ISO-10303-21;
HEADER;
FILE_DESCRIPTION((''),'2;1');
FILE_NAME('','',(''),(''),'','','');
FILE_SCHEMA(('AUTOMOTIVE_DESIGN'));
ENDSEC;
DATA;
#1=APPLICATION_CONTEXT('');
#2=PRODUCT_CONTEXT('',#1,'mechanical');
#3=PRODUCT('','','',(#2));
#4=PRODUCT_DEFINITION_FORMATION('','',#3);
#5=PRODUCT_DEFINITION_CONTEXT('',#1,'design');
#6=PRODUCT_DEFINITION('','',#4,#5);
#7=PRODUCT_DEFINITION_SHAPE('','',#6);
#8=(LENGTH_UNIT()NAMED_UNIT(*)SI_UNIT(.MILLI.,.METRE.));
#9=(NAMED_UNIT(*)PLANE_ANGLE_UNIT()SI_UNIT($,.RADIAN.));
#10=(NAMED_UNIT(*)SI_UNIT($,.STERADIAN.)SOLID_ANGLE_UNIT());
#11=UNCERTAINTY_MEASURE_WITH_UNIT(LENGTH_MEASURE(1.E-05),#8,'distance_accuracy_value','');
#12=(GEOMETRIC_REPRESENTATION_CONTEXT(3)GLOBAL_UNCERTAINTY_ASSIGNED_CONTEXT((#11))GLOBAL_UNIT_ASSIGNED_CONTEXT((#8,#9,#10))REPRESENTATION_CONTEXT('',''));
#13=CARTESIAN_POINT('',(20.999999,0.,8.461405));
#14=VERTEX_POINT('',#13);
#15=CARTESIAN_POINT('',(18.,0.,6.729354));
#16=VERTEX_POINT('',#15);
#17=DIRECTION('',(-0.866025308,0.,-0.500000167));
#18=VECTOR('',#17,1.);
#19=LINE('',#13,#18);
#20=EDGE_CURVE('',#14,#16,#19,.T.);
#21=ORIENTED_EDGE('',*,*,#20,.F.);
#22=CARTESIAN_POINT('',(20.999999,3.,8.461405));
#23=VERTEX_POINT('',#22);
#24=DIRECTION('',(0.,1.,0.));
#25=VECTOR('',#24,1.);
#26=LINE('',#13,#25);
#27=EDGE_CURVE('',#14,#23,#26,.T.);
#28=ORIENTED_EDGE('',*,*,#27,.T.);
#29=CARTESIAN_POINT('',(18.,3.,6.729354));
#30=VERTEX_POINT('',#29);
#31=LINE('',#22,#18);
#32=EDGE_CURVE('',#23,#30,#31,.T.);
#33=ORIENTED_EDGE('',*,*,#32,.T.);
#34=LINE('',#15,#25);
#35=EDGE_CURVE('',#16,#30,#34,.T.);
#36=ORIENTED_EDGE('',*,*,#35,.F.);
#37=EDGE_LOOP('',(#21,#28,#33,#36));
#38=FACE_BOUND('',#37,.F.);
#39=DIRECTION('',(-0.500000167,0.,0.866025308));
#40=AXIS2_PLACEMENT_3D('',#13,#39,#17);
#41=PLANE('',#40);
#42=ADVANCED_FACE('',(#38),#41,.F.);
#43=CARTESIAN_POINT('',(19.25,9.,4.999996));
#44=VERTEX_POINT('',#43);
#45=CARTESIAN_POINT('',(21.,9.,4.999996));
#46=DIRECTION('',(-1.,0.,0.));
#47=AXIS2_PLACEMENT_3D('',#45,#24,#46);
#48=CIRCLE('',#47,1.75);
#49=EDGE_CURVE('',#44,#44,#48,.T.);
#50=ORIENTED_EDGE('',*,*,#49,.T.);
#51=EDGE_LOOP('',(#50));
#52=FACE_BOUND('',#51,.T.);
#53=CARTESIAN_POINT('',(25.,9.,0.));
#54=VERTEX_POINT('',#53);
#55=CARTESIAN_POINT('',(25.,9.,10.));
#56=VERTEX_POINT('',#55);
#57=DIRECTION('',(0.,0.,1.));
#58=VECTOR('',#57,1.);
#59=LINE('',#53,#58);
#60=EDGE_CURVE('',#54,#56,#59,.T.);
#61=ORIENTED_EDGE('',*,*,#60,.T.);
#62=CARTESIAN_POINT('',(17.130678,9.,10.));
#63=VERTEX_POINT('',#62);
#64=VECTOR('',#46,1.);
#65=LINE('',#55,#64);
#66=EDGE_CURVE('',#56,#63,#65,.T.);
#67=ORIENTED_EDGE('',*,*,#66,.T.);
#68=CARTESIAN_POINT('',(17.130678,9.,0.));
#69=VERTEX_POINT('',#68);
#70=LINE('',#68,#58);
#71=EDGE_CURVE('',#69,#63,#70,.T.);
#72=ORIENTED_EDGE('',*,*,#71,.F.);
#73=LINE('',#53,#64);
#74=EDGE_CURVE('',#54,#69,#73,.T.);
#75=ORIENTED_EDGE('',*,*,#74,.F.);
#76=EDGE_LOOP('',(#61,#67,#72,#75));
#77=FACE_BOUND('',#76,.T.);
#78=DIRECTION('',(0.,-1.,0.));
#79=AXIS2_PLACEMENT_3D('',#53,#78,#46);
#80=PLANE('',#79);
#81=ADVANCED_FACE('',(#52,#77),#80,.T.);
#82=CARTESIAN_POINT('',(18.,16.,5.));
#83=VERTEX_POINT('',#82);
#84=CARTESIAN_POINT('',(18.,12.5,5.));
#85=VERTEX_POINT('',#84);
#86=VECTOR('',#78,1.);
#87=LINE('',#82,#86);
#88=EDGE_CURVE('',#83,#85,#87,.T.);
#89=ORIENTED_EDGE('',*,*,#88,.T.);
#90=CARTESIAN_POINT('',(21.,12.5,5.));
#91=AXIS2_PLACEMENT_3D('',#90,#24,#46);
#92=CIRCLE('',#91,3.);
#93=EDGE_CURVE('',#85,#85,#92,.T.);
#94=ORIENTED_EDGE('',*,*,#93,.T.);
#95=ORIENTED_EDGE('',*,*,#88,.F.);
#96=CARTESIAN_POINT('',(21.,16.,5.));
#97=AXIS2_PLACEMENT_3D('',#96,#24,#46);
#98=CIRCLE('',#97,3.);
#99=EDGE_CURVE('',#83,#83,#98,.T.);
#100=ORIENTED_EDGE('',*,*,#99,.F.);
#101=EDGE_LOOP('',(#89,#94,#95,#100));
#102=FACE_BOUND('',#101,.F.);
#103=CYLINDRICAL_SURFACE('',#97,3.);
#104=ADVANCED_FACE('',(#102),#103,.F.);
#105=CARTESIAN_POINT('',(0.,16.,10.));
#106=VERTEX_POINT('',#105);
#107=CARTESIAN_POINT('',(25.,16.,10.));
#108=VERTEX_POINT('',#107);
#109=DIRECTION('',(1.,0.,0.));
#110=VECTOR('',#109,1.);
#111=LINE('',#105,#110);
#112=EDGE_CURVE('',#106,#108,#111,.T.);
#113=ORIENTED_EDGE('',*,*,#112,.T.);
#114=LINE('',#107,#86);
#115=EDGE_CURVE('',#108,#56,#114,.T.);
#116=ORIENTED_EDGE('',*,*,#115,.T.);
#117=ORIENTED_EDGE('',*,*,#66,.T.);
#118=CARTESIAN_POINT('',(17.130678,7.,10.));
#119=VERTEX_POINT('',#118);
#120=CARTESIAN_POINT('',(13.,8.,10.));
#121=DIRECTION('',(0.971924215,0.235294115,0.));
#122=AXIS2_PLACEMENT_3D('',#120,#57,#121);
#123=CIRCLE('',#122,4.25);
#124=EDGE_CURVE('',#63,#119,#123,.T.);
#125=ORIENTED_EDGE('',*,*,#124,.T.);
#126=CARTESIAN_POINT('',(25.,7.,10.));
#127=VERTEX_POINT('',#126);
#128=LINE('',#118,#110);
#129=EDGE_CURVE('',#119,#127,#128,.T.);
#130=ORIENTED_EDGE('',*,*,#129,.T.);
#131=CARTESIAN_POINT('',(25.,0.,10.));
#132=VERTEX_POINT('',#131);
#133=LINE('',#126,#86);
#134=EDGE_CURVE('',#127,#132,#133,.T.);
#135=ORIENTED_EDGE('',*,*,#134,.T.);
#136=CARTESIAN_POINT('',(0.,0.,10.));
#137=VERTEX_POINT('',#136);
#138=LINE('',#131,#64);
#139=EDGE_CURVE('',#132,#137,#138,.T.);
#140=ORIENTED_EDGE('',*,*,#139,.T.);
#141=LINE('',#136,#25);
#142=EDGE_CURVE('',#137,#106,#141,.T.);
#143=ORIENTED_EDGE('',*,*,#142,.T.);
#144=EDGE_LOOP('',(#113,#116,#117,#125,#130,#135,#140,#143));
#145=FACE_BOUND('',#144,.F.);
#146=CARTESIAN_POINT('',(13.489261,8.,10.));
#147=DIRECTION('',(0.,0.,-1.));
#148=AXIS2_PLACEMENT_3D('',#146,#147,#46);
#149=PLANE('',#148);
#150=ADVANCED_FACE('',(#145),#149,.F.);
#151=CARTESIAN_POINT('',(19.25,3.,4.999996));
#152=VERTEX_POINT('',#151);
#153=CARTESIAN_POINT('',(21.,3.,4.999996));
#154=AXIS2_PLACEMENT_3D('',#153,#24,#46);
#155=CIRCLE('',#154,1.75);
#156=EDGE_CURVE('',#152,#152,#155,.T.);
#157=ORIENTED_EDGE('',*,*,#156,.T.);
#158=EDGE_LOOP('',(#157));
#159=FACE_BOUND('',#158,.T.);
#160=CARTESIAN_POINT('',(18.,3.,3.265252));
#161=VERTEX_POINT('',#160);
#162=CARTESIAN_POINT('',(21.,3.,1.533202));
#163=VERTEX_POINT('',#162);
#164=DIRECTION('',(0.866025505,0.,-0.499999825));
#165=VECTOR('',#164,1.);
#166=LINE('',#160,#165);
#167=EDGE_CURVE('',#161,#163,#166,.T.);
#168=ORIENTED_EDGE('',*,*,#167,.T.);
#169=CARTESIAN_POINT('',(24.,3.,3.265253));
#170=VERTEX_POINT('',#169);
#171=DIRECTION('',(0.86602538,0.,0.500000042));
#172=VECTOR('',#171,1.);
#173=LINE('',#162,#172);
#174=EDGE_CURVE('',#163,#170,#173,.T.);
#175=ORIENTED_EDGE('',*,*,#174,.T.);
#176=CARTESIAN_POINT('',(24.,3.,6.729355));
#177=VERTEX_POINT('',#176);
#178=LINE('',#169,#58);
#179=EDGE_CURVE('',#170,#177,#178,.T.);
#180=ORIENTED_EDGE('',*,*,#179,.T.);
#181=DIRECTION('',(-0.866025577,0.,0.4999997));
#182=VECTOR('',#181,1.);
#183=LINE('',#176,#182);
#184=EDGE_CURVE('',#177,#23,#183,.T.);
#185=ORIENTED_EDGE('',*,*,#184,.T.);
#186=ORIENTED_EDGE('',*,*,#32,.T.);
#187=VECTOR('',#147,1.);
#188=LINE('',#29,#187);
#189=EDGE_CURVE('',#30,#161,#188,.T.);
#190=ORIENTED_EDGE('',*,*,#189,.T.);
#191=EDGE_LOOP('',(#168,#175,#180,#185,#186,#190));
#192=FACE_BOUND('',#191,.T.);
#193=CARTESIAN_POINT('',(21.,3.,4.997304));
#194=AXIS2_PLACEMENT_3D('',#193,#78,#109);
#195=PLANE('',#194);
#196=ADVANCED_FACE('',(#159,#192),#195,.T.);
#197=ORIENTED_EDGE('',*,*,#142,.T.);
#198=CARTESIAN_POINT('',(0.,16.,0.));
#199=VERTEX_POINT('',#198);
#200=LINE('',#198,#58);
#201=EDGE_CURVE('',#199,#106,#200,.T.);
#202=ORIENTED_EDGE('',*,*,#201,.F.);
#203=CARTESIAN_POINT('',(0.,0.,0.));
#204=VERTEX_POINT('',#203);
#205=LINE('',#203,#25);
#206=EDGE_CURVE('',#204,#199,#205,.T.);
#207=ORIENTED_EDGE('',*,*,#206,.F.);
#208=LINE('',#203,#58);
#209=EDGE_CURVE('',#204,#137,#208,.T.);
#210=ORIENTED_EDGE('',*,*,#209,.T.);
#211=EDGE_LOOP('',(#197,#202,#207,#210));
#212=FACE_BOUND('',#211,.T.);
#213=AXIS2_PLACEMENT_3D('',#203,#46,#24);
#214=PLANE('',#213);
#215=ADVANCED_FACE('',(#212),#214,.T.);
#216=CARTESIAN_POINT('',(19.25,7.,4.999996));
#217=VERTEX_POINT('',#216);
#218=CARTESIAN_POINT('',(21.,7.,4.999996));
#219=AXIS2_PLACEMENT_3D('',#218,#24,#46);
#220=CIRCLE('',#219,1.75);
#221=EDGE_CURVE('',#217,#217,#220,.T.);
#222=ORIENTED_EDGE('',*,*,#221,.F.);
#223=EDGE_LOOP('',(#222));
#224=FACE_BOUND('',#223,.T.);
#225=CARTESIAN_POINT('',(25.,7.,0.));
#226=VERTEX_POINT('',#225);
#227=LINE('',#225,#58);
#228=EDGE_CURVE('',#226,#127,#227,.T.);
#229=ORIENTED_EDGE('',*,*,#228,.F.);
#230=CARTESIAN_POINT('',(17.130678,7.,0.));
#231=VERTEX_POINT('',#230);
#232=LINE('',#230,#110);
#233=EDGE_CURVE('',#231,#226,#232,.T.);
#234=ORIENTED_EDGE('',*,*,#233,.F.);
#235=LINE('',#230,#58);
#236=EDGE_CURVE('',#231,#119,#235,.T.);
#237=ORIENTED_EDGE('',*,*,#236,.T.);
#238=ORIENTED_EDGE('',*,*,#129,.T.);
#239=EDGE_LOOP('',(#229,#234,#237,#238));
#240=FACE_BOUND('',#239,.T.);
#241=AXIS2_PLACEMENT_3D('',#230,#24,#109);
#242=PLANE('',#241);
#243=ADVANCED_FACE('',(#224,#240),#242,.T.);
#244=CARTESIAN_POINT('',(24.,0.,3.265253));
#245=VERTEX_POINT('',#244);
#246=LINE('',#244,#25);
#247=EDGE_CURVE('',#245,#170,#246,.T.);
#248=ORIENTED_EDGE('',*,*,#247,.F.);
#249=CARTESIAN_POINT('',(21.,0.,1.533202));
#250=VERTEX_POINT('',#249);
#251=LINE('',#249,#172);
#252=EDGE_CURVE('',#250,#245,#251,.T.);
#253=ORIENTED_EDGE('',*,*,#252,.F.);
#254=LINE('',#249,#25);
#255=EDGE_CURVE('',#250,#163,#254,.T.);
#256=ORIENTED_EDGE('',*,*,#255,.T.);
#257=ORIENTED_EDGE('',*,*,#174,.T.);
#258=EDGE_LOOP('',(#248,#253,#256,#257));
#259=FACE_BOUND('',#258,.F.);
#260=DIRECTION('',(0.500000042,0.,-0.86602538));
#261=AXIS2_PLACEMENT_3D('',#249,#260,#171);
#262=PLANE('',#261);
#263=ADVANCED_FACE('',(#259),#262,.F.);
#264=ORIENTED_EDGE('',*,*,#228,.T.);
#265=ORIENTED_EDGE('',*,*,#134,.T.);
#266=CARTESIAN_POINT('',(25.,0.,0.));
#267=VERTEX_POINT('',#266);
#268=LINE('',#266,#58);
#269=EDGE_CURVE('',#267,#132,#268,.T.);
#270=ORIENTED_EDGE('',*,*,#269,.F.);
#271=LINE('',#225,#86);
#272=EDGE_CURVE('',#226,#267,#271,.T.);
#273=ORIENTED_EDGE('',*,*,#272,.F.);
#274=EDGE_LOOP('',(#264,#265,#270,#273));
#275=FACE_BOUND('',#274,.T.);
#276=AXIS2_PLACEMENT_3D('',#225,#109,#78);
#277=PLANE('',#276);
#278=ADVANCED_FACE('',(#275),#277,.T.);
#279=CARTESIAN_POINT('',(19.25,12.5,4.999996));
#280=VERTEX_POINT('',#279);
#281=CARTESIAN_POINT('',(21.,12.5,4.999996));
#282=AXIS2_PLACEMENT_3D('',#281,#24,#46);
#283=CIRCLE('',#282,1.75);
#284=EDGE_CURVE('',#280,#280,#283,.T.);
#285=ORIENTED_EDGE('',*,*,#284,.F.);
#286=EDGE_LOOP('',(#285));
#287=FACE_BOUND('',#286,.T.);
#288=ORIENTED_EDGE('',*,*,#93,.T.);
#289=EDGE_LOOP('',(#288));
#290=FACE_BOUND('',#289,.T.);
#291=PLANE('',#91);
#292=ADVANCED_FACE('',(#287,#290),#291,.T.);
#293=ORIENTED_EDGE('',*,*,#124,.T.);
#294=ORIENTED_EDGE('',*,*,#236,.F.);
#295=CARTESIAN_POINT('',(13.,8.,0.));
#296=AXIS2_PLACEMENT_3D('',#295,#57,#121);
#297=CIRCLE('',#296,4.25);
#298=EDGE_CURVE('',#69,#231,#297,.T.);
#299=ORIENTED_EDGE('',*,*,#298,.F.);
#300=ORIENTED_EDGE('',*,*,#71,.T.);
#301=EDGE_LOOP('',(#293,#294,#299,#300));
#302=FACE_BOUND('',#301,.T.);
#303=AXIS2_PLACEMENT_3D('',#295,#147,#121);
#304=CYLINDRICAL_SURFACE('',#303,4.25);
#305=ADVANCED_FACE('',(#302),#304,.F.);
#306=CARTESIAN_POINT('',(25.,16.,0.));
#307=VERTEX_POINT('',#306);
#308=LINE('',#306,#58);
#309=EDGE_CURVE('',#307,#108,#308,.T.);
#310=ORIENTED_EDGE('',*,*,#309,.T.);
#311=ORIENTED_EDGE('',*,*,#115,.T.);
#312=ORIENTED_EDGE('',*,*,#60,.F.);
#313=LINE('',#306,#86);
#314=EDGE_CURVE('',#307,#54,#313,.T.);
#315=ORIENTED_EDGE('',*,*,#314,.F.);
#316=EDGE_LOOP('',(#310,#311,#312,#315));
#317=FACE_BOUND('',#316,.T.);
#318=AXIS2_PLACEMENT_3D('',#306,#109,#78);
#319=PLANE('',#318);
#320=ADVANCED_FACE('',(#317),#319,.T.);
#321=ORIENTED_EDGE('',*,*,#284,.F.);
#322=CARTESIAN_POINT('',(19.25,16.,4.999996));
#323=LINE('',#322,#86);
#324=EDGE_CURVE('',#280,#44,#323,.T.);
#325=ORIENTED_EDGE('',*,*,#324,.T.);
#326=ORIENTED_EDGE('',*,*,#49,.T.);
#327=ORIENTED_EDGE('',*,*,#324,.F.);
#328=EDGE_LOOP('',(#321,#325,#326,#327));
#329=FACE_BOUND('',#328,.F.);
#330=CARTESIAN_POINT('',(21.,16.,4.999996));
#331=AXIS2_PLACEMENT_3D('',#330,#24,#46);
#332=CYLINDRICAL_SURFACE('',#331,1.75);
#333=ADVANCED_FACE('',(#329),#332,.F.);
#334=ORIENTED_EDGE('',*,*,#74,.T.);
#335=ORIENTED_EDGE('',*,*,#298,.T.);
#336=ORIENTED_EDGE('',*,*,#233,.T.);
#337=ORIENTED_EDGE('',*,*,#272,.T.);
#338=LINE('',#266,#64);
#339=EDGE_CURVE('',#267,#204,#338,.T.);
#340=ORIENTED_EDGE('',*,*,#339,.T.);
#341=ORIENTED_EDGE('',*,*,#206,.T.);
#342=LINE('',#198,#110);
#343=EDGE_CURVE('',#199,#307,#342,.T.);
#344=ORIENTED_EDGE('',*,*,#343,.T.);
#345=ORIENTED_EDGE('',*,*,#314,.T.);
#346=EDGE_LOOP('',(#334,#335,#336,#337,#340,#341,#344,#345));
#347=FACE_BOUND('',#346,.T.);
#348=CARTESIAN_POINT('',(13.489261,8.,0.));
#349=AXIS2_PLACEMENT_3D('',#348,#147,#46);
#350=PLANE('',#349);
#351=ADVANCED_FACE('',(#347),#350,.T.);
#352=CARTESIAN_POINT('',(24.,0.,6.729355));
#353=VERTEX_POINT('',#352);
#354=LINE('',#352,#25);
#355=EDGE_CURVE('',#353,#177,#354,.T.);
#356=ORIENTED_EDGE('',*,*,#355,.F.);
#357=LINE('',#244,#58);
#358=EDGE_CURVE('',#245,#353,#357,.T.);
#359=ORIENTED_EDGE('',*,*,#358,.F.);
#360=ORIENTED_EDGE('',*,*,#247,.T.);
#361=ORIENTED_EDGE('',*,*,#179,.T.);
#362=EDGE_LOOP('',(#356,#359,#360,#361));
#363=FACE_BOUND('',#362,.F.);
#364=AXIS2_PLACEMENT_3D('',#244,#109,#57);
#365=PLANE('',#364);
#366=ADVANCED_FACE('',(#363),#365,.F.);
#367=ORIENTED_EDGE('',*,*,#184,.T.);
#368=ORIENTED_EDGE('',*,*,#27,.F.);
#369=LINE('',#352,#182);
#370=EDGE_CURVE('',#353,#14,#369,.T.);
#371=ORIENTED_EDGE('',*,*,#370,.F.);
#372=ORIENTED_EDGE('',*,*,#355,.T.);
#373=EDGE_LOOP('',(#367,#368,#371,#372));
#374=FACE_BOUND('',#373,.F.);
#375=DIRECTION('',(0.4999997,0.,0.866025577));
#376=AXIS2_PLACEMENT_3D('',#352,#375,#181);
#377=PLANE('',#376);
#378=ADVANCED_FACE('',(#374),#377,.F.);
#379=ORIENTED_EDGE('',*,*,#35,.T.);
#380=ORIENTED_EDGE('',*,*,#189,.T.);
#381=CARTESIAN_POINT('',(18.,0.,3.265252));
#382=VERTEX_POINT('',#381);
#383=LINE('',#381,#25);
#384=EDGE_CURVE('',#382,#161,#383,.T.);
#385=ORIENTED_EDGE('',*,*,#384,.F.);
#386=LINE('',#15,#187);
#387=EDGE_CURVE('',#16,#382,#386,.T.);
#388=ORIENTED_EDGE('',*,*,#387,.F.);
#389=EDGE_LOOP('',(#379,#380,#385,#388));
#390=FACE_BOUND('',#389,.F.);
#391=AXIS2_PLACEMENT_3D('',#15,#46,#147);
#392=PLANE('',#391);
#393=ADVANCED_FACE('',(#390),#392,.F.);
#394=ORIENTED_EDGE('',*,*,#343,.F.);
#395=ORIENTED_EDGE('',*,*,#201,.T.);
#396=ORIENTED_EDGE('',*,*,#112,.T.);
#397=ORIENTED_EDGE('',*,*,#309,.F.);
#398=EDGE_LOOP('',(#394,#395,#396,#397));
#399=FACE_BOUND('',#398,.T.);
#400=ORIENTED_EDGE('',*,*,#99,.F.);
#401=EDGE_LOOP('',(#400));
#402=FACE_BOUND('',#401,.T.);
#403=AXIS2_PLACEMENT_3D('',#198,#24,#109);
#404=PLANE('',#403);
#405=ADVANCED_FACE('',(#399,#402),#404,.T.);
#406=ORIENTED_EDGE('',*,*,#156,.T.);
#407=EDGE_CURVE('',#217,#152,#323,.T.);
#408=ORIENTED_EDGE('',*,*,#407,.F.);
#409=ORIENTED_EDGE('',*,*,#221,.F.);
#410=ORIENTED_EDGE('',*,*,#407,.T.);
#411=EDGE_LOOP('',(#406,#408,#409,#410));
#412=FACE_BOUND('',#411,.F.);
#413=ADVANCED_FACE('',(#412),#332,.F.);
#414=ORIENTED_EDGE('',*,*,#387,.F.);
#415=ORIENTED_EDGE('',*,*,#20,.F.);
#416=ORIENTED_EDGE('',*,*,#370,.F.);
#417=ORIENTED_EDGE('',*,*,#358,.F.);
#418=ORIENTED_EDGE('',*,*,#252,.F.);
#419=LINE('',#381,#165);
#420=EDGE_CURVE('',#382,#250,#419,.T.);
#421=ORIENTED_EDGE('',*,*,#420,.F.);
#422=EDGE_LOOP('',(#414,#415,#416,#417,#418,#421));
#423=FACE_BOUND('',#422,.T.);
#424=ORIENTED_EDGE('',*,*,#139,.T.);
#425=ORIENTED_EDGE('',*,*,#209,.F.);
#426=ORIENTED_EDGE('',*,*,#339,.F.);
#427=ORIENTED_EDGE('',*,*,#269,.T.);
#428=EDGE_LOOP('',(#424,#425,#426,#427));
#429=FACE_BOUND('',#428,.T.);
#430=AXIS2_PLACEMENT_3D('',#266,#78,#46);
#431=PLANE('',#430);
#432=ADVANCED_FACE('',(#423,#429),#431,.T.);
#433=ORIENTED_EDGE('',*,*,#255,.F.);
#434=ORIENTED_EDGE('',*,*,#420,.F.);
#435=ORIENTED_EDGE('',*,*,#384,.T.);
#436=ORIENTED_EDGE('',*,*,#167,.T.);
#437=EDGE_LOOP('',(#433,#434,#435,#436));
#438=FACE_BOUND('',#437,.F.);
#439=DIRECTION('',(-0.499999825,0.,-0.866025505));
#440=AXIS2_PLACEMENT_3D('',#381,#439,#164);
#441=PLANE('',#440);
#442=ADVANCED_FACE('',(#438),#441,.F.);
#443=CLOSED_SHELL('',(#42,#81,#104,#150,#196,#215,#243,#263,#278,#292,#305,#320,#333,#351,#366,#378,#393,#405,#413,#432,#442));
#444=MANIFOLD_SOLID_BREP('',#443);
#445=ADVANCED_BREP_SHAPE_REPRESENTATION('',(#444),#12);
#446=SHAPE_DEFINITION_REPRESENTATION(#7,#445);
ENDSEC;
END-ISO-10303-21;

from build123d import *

# Parameters (mm, degrees)
PAD_DEPTH       = 10
SKETCH001_R     = 1.75
POCKET_DEPTH    = 16
SKETCH002_R     = 3
POCKET001_DEPTH = 3.5
POCKET002_DEPTH = 3


with BuildPart() as part:
    # Sketch → Pad (new body)
    with BuildSketch(Plane.XY):
        with BuildLine():
            Line((0, 0), (0, 16))
            Line((0, 16), (25, 16))
            Line((25, 16), (25, 9))
            Line((25, 9), (17.130678, 9))
            ThreePointArc((17.130678, 9), (8.75, 8), (17.130678, 7))
            Line((17.130678, 7), (25, 7))
            Line((25, 7), (25, 0))
            Line((25, 0), (0, 0))
        make_face()
    extrude(amount=PAD_DEPTH)

    # Sketch001 → Pocket (cut)
    with BuildSketch(Plane(origin=(0, 16, 0), x_dir=(-1, 0, 0), z_dir=(0, 1, 0))):
        with Locations((-21, 4.999996)):
            Circle(SKETCH001_R)
    extrude(amount=-POCKET_DEPTH, mode=Mode.SUBTRACT)

    # Sketch002 → Pocket001 (cut)
    with BuildSketch(Plane(origin=(0, 16, 0), x_dir=(-1, 0, 0), z_dir=(0, 1, 0))):
        with Locations((-21, 5)):
            Circle(SKETCH002_R)
    extrude(amount=-POCKET001_DEPTH, mode=Mode.SUBTRACT)

    # Sketch003 → Pocket002 (cut)
    with BuildSketch(Plane.XZ):
        Polygon((20.999999, 8.461405), (18, 6.729354), (18, 3.265252), (21, 1.533202), (24, 3.265253), (24, 6.729355), align=None)
    extrude(amount=-POCKET002_DEPTH, mode=Mode.SUBTRACT)


solid = part.part
